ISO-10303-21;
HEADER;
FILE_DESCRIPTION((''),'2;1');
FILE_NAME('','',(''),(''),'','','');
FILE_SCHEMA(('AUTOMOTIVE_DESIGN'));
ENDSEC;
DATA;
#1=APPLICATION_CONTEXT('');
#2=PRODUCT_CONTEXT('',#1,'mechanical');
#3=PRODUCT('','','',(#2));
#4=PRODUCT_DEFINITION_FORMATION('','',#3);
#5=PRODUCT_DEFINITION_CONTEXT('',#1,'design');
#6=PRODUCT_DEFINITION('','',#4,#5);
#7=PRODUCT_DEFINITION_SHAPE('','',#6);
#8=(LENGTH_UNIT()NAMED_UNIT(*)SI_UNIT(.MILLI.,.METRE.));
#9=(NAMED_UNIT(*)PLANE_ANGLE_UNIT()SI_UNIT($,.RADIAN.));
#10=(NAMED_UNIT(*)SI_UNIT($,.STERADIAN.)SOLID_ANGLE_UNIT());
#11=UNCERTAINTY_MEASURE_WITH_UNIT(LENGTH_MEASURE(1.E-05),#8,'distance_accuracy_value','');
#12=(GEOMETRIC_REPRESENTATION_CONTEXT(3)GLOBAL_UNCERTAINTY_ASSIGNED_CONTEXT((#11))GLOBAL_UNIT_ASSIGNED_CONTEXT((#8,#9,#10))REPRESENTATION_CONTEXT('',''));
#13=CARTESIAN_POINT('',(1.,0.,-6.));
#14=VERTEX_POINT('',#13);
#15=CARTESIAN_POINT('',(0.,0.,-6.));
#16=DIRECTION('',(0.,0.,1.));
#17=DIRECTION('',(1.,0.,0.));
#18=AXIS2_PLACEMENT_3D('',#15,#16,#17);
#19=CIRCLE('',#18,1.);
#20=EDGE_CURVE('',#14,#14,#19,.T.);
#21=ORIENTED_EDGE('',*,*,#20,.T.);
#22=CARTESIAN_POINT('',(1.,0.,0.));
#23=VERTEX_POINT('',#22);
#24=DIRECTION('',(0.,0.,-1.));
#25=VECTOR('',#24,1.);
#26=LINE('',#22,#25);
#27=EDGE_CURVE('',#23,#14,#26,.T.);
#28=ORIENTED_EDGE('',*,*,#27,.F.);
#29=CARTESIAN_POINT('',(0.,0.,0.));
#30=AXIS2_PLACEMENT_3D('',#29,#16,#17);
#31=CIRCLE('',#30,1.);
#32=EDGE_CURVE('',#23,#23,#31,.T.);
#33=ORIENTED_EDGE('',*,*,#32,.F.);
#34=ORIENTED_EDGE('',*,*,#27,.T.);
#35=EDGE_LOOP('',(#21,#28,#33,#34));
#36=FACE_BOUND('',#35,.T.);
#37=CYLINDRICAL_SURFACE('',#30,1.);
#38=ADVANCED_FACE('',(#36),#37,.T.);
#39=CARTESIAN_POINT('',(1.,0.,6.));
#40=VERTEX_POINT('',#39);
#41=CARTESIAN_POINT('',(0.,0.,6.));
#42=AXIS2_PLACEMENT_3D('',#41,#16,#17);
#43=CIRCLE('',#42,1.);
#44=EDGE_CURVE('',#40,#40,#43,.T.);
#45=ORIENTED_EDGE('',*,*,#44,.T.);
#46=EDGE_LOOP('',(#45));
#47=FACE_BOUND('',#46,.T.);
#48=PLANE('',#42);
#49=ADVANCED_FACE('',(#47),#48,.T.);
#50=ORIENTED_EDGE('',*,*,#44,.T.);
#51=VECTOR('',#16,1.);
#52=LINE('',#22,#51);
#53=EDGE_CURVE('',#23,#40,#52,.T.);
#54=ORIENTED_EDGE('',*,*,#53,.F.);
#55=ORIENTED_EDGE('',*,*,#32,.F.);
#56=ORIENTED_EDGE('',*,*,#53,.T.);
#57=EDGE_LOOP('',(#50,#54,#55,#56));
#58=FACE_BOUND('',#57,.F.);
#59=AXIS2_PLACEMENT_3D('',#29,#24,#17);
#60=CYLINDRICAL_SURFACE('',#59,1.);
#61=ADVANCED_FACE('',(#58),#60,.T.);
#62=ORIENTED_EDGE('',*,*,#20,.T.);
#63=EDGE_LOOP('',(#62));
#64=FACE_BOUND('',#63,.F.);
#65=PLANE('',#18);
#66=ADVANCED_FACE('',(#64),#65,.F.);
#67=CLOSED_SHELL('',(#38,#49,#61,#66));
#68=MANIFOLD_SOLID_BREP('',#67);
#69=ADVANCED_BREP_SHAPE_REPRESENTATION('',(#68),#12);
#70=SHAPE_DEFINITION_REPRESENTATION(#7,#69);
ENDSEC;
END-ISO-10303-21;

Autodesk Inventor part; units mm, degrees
ref_plane "YZ Plane" through (0, 0, 0) normal (1, 0, 0) x (0, 1, 0)
ref_plane "XZ Plane" through (0, 0, 0) normal (0, 1, 0) x (-1, 0, 0)
ref_plane "XY Plane" through (0, 0, 0) normal (0, 0, 1) x (1, 0, 0)
sketch "Hauptskizze" plane through (0, 0, 0) normal (0, 0, 1) x (1, 0, 0)
  circle A0 centre (0, 0) radius 1
  dimension "d0" = 2
extrude "Riemenscheibe" add sketch "Hauptskizze" along normal mid plane 12
equation "\"d0\" = da_D"
equation "\"d1\" = da_B"
equation "\"da_D\" = 2"
equation "\"da_B\" = 12"
properties part number "Flache Riemenscheibe2" material "Steel"
